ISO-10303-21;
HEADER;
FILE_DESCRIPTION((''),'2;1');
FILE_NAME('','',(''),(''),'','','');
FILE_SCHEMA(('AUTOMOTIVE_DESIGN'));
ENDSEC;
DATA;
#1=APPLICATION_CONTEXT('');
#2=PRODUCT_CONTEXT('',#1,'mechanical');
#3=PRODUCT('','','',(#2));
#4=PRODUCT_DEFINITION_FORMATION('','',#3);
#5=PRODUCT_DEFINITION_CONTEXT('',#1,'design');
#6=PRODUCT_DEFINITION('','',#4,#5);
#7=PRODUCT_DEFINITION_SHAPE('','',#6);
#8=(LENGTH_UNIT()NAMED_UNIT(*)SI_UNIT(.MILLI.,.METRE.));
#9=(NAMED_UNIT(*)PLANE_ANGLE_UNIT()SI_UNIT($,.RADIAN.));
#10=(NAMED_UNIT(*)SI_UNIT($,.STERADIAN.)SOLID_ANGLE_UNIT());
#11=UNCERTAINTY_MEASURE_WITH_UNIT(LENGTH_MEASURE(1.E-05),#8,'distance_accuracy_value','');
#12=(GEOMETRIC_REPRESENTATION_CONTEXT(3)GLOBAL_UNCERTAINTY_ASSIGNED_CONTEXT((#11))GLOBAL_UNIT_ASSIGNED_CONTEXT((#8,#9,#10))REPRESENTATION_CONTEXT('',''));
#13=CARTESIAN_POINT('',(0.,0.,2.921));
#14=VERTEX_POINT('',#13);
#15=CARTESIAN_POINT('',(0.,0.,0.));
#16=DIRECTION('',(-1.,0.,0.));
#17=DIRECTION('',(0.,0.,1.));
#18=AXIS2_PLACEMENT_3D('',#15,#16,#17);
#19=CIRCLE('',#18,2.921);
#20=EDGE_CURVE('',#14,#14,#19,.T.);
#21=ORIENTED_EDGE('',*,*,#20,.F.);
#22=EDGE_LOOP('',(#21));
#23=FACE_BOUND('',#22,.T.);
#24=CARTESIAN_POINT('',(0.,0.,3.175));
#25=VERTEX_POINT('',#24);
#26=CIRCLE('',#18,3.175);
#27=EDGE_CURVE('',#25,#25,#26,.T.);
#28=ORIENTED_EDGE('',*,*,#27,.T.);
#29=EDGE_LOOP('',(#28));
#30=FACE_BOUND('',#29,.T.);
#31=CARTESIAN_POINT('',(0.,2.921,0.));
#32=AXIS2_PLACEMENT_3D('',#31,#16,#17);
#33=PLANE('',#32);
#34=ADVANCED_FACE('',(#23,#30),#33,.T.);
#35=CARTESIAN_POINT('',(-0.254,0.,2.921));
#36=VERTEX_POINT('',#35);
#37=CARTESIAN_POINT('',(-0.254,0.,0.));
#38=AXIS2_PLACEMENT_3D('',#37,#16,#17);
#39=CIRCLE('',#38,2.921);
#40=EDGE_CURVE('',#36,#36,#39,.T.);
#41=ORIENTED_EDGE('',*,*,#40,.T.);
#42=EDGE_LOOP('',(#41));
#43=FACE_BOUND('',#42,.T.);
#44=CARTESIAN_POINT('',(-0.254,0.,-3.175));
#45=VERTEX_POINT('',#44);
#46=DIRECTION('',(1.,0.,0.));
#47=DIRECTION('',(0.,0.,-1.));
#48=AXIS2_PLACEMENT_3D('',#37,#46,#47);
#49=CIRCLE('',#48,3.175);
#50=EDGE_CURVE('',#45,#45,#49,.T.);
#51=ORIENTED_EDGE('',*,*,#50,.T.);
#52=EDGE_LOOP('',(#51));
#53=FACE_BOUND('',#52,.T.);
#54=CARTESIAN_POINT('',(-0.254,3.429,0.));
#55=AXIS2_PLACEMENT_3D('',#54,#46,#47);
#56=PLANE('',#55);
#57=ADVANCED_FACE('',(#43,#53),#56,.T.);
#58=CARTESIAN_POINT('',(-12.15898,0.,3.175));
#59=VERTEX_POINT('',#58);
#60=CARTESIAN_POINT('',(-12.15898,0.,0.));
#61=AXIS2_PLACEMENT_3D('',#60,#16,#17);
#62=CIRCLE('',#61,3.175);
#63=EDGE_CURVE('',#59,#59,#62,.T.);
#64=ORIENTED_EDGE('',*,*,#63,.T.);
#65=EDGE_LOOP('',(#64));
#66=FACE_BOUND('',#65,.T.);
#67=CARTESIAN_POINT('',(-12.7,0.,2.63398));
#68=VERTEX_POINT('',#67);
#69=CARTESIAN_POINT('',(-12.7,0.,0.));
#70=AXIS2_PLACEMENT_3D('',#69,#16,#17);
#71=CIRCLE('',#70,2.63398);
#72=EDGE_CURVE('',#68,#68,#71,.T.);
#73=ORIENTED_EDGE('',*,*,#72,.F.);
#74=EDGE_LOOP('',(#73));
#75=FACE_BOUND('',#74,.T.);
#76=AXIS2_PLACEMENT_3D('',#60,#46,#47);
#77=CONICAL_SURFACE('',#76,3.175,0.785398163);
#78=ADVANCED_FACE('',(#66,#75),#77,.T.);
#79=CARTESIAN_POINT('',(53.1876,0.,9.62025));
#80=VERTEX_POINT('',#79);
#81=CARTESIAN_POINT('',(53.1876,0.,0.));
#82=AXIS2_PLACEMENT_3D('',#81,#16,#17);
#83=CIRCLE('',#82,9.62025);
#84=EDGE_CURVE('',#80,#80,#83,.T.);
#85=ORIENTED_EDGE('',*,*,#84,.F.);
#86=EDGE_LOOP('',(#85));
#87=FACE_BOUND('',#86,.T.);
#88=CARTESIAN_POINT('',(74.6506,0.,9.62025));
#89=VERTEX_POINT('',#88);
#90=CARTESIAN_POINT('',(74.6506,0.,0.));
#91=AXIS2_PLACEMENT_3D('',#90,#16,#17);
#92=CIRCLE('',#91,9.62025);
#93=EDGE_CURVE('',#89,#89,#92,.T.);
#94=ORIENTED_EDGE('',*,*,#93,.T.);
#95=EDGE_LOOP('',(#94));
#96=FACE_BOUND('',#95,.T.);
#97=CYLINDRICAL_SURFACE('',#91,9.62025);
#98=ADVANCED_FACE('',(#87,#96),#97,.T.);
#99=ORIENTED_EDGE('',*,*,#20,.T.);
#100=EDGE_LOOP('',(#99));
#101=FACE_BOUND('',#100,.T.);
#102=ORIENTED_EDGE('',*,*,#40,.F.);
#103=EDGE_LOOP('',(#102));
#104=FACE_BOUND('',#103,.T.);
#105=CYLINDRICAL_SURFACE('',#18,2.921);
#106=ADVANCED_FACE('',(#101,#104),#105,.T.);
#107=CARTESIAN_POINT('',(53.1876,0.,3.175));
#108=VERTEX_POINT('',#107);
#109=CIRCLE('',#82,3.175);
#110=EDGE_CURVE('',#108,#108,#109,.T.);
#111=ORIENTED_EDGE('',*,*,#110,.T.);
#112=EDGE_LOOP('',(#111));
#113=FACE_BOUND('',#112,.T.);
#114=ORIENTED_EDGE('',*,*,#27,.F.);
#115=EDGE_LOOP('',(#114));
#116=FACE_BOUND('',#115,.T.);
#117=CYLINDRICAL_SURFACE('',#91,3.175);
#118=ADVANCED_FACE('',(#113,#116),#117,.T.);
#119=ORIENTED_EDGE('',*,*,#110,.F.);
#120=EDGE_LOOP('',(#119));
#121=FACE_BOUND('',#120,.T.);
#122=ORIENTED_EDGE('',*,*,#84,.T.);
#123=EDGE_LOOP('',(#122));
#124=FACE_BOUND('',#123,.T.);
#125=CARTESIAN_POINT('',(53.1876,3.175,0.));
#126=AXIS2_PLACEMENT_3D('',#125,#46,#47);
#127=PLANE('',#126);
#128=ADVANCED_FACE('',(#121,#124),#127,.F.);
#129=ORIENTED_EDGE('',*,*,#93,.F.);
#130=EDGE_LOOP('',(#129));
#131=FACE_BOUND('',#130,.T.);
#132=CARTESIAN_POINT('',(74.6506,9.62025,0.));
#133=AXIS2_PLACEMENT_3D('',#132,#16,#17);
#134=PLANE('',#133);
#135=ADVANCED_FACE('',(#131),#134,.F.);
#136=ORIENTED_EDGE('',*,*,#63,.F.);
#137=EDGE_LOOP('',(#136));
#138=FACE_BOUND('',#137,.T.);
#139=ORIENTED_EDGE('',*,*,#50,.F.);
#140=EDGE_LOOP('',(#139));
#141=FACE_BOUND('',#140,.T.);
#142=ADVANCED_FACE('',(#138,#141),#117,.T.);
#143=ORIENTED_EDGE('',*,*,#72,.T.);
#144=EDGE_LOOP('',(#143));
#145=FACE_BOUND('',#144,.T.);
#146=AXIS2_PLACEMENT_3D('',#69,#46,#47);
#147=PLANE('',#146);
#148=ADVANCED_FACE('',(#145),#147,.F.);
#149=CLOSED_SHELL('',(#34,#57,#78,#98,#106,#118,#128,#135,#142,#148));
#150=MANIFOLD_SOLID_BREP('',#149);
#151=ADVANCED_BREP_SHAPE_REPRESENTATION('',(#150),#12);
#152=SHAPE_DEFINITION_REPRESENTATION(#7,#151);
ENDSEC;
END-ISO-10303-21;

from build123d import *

# Parameters (mm, degrees)
SKETCH3_W = 0.254
SKETCH3_H = 0.508


with BuildPart() as part:
    # Sketch1 → Revolve1 (revolve)
    with BuildSketch(Plane.XY):
        Polygon((0, 0), (0, 3.175), (53.1876, 3.175), (53.1876, 9.62025), (74.6506, 9.62025), (74.6506, 0), align=None)
    revolve(axis=Axis((74.6506, 0, 0), (-1, 0, 0)))

    # Sketch2 → Revolve2 (revolve)
    with BuildSketch(Plane.XY):
        Polygon((-12.7, 0), (-12.7, 2.63398), (-12.15898, 3.175), (0, 3.175), (0, 0), align=None)
    revolve(axis=Axis((0, 0, 0), (-1, 0, 0)))

    # Sketch3 → Cut-Revolve1 (revolve, cut)
    with BuildSketch(Plane.XY):
        with Locations((-0.127, 3.175)):
            Rectangle(SKETCH3_W, SKETCH3_H)
    revolve(axis=Axis((0, 0, 0), (-1, 0, 0)), mode=Mode.SUBTRACT)


solid = part.part
